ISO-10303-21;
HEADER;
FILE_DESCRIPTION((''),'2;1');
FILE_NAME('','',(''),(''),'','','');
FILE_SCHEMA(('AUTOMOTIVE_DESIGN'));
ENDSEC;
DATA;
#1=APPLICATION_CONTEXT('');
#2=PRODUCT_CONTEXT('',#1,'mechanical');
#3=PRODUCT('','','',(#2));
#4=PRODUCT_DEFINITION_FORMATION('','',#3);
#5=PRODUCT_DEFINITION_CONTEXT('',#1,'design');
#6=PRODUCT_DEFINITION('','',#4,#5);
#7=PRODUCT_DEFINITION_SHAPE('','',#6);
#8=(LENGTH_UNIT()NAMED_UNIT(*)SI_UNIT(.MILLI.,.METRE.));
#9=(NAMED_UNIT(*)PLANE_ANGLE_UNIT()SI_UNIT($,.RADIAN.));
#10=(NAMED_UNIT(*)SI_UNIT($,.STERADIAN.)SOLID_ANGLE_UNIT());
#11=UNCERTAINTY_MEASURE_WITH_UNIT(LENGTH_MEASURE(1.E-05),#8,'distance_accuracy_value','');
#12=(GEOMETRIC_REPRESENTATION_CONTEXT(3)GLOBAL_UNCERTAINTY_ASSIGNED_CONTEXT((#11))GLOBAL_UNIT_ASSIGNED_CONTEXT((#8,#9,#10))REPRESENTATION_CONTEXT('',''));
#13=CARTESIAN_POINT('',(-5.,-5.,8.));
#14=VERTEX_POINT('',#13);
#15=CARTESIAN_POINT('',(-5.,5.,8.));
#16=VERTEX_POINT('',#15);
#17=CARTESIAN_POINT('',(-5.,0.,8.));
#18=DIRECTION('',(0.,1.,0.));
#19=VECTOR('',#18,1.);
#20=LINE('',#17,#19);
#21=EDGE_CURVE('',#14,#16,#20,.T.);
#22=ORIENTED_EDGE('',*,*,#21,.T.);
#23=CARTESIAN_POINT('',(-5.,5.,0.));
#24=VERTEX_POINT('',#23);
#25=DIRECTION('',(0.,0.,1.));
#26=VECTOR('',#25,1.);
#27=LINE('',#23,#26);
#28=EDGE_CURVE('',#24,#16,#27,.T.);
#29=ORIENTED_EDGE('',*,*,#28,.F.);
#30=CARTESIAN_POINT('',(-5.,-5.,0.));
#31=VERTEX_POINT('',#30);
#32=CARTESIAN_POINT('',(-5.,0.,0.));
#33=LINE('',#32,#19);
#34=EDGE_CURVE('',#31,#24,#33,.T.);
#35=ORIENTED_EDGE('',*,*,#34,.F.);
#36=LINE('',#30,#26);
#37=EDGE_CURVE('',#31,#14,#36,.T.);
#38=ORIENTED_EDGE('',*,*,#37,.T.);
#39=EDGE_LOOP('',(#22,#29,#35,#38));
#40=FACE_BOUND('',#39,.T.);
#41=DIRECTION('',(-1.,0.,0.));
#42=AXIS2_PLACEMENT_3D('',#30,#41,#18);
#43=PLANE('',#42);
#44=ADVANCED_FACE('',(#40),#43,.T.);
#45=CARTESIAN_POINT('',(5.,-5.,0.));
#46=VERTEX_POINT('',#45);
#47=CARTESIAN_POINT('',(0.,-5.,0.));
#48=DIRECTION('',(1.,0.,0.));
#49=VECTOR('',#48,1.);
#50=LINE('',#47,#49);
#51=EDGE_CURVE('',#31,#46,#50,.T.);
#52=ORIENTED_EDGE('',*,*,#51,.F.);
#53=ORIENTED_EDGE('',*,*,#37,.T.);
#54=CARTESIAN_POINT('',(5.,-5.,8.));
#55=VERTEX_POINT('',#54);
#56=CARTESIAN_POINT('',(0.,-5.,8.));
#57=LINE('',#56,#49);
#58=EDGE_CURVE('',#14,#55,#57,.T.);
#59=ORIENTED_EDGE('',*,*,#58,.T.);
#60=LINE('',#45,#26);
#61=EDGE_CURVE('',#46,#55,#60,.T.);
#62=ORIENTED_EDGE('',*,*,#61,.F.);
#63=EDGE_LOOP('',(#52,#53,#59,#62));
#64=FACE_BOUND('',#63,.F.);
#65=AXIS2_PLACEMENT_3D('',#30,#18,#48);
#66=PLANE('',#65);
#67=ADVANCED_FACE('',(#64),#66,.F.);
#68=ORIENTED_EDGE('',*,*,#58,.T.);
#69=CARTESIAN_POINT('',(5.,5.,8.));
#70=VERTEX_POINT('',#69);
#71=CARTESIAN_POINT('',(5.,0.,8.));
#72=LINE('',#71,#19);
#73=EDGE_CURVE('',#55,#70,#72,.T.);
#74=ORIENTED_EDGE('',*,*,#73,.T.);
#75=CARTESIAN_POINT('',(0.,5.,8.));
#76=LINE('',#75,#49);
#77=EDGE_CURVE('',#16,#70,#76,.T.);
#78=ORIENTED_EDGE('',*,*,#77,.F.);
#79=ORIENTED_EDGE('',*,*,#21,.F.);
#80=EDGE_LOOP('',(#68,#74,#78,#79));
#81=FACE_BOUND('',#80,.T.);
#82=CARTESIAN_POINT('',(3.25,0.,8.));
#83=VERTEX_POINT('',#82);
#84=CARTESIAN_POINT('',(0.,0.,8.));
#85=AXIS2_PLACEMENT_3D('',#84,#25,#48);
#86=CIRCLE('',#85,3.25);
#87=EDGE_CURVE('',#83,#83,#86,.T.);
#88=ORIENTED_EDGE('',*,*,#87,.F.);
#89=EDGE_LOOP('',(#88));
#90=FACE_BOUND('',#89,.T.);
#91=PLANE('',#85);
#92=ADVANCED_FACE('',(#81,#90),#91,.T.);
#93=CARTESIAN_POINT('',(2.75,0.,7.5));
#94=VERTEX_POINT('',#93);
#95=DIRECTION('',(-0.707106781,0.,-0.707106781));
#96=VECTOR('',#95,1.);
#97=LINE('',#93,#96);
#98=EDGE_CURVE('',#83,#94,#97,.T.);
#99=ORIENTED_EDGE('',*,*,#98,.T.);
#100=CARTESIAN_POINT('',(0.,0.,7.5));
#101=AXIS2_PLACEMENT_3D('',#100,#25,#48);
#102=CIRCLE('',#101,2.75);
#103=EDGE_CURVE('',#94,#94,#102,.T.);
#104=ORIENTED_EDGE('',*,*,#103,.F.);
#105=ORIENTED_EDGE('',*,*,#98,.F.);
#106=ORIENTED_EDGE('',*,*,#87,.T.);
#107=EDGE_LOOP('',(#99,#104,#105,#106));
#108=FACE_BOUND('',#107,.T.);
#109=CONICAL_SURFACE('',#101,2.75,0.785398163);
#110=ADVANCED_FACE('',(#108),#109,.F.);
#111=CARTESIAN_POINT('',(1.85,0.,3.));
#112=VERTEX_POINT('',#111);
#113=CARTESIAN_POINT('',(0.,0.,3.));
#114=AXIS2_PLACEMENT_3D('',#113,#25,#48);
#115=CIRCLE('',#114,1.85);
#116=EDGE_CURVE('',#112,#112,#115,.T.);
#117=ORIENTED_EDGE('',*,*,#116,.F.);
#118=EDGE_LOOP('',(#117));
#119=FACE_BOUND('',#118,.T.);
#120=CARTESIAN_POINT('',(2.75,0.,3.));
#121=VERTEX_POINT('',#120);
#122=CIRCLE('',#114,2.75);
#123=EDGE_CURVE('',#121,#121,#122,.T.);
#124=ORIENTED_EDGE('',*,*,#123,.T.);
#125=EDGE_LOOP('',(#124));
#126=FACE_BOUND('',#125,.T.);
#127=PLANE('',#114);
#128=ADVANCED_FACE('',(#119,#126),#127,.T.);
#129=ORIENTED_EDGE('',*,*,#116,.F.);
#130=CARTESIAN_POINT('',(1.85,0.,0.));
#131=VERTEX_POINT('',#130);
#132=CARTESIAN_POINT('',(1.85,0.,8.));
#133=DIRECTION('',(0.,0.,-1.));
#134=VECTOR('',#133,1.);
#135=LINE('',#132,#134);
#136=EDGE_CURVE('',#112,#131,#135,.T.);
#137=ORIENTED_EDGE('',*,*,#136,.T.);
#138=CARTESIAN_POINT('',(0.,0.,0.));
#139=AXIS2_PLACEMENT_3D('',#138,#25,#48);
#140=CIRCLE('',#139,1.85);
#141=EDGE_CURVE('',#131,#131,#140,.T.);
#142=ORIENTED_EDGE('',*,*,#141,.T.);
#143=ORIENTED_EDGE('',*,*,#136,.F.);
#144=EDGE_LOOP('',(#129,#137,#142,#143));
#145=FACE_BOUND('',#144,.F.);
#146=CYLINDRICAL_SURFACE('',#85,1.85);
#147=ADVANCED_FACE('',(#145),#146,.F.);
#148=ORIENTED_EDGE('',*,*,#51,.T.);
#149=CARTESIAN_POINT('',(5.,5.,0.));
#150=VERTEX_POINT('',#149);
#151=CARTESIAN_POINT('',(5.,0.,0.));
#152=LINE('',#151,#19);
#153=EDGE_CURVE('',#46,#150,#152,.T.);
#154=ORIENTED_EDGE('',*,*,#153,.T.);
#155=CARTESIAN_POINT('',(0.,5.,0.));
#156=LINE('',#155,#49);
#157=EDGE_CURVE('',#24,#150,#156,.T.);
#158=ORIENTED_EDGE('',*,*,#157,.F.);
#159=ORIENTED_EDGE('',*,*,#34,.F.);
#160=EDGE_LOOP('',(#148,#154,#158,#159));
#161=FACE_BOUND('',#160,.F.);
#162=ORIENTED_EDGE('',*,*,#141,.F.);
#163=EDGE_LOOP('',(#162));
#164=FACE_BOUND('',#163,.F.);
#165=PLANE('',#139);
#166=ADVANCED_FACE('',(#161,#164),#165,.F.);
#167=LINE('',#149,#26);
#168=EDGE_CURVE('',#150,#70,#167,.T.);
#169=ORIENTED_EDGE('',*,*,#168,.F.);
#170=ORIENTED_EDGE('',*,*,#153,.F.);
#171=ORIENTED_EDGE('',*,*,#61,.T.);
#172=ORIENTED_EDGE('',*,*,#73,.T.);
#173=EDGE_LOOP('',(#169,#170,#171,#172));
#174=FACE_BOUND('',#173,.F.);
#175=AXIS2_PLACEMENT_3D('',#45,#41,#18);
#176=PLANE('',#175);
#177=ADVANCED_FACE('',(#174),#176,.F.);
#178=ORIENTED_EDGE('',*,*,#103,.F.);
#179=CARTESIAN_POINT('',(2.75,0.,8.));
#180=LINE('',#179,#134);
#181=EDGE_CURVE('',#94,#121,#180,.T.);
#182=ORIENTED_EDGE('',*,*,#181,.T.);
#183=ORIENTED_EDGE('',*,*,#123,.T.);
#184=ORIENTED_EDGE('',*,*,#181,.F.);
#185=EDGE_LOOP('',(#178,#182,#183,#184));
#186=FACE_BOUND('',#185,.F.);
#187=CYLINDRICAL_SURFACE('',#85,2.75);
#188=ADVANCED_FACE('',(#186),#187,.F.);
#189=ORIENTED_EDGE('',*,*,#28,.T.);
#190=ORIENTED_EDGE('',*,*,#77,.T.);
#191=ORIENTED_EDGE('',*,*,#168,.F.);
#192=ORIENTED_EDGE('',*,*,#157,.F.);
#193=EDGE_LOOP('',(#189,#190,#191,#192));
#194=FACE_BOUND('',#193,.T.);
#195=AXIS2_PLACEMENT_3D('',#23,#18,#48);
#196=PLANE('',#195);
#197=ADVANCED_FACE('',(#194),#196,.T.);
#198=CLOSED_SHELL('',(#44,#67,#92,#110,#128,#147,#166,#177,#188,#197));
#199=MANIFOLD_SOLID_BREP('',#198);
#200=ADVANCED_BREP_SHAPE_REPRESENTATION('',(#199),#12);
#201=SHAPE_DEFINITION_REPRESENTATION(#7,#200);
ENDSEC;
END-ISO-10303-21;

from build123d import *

# Parameters (mm, degrees)
SKETCH_W        = 10
SKETCH_H        = 10
PAD_DEPTH       = 8
SKETCH001_R     = 1.85
POCKET_DEPTH    = 8
SKETCH002_R     = 2.75
POCKET001_DEPTH = 5
CHAMFER_SIZE    = 0.5


with BuildPart() as part:
    # Sketch → Pad (new body)
    with BuildSketch(Plane.XY):
        Rectangle(SKETCH_W, SKETCH_H)
    extrude(amount=PAD_DEPTH)

    # Sketch001 (on Face6 of Pad) → Pocket (cut)
    with BuildSketch(Plane.XY.offset(8)):
        Circle(SKETCH001_R)
    extrude(amount=-POCKET_DEPTH, mode=Mode.SUBTRACT)

    # Sketch002 (on Face5 of Pocket) → Pocket001 (cut)
    with BuildSketch(Plane.XY.offset(8)):
        Circle(SKETCH002_R)
    extrude(amount=-POCKET001_DEPTH, mode=Mode.SUBTRACT)

    # Chamfer
    chamfer_edges = [part.edges().sort_by_distance(p)[0] for p in [
        (-2.75, 0, 8),
    ]]
    chamfer(chamfer_edges, length=CHAMFER_SIZE)


solid = part.part
